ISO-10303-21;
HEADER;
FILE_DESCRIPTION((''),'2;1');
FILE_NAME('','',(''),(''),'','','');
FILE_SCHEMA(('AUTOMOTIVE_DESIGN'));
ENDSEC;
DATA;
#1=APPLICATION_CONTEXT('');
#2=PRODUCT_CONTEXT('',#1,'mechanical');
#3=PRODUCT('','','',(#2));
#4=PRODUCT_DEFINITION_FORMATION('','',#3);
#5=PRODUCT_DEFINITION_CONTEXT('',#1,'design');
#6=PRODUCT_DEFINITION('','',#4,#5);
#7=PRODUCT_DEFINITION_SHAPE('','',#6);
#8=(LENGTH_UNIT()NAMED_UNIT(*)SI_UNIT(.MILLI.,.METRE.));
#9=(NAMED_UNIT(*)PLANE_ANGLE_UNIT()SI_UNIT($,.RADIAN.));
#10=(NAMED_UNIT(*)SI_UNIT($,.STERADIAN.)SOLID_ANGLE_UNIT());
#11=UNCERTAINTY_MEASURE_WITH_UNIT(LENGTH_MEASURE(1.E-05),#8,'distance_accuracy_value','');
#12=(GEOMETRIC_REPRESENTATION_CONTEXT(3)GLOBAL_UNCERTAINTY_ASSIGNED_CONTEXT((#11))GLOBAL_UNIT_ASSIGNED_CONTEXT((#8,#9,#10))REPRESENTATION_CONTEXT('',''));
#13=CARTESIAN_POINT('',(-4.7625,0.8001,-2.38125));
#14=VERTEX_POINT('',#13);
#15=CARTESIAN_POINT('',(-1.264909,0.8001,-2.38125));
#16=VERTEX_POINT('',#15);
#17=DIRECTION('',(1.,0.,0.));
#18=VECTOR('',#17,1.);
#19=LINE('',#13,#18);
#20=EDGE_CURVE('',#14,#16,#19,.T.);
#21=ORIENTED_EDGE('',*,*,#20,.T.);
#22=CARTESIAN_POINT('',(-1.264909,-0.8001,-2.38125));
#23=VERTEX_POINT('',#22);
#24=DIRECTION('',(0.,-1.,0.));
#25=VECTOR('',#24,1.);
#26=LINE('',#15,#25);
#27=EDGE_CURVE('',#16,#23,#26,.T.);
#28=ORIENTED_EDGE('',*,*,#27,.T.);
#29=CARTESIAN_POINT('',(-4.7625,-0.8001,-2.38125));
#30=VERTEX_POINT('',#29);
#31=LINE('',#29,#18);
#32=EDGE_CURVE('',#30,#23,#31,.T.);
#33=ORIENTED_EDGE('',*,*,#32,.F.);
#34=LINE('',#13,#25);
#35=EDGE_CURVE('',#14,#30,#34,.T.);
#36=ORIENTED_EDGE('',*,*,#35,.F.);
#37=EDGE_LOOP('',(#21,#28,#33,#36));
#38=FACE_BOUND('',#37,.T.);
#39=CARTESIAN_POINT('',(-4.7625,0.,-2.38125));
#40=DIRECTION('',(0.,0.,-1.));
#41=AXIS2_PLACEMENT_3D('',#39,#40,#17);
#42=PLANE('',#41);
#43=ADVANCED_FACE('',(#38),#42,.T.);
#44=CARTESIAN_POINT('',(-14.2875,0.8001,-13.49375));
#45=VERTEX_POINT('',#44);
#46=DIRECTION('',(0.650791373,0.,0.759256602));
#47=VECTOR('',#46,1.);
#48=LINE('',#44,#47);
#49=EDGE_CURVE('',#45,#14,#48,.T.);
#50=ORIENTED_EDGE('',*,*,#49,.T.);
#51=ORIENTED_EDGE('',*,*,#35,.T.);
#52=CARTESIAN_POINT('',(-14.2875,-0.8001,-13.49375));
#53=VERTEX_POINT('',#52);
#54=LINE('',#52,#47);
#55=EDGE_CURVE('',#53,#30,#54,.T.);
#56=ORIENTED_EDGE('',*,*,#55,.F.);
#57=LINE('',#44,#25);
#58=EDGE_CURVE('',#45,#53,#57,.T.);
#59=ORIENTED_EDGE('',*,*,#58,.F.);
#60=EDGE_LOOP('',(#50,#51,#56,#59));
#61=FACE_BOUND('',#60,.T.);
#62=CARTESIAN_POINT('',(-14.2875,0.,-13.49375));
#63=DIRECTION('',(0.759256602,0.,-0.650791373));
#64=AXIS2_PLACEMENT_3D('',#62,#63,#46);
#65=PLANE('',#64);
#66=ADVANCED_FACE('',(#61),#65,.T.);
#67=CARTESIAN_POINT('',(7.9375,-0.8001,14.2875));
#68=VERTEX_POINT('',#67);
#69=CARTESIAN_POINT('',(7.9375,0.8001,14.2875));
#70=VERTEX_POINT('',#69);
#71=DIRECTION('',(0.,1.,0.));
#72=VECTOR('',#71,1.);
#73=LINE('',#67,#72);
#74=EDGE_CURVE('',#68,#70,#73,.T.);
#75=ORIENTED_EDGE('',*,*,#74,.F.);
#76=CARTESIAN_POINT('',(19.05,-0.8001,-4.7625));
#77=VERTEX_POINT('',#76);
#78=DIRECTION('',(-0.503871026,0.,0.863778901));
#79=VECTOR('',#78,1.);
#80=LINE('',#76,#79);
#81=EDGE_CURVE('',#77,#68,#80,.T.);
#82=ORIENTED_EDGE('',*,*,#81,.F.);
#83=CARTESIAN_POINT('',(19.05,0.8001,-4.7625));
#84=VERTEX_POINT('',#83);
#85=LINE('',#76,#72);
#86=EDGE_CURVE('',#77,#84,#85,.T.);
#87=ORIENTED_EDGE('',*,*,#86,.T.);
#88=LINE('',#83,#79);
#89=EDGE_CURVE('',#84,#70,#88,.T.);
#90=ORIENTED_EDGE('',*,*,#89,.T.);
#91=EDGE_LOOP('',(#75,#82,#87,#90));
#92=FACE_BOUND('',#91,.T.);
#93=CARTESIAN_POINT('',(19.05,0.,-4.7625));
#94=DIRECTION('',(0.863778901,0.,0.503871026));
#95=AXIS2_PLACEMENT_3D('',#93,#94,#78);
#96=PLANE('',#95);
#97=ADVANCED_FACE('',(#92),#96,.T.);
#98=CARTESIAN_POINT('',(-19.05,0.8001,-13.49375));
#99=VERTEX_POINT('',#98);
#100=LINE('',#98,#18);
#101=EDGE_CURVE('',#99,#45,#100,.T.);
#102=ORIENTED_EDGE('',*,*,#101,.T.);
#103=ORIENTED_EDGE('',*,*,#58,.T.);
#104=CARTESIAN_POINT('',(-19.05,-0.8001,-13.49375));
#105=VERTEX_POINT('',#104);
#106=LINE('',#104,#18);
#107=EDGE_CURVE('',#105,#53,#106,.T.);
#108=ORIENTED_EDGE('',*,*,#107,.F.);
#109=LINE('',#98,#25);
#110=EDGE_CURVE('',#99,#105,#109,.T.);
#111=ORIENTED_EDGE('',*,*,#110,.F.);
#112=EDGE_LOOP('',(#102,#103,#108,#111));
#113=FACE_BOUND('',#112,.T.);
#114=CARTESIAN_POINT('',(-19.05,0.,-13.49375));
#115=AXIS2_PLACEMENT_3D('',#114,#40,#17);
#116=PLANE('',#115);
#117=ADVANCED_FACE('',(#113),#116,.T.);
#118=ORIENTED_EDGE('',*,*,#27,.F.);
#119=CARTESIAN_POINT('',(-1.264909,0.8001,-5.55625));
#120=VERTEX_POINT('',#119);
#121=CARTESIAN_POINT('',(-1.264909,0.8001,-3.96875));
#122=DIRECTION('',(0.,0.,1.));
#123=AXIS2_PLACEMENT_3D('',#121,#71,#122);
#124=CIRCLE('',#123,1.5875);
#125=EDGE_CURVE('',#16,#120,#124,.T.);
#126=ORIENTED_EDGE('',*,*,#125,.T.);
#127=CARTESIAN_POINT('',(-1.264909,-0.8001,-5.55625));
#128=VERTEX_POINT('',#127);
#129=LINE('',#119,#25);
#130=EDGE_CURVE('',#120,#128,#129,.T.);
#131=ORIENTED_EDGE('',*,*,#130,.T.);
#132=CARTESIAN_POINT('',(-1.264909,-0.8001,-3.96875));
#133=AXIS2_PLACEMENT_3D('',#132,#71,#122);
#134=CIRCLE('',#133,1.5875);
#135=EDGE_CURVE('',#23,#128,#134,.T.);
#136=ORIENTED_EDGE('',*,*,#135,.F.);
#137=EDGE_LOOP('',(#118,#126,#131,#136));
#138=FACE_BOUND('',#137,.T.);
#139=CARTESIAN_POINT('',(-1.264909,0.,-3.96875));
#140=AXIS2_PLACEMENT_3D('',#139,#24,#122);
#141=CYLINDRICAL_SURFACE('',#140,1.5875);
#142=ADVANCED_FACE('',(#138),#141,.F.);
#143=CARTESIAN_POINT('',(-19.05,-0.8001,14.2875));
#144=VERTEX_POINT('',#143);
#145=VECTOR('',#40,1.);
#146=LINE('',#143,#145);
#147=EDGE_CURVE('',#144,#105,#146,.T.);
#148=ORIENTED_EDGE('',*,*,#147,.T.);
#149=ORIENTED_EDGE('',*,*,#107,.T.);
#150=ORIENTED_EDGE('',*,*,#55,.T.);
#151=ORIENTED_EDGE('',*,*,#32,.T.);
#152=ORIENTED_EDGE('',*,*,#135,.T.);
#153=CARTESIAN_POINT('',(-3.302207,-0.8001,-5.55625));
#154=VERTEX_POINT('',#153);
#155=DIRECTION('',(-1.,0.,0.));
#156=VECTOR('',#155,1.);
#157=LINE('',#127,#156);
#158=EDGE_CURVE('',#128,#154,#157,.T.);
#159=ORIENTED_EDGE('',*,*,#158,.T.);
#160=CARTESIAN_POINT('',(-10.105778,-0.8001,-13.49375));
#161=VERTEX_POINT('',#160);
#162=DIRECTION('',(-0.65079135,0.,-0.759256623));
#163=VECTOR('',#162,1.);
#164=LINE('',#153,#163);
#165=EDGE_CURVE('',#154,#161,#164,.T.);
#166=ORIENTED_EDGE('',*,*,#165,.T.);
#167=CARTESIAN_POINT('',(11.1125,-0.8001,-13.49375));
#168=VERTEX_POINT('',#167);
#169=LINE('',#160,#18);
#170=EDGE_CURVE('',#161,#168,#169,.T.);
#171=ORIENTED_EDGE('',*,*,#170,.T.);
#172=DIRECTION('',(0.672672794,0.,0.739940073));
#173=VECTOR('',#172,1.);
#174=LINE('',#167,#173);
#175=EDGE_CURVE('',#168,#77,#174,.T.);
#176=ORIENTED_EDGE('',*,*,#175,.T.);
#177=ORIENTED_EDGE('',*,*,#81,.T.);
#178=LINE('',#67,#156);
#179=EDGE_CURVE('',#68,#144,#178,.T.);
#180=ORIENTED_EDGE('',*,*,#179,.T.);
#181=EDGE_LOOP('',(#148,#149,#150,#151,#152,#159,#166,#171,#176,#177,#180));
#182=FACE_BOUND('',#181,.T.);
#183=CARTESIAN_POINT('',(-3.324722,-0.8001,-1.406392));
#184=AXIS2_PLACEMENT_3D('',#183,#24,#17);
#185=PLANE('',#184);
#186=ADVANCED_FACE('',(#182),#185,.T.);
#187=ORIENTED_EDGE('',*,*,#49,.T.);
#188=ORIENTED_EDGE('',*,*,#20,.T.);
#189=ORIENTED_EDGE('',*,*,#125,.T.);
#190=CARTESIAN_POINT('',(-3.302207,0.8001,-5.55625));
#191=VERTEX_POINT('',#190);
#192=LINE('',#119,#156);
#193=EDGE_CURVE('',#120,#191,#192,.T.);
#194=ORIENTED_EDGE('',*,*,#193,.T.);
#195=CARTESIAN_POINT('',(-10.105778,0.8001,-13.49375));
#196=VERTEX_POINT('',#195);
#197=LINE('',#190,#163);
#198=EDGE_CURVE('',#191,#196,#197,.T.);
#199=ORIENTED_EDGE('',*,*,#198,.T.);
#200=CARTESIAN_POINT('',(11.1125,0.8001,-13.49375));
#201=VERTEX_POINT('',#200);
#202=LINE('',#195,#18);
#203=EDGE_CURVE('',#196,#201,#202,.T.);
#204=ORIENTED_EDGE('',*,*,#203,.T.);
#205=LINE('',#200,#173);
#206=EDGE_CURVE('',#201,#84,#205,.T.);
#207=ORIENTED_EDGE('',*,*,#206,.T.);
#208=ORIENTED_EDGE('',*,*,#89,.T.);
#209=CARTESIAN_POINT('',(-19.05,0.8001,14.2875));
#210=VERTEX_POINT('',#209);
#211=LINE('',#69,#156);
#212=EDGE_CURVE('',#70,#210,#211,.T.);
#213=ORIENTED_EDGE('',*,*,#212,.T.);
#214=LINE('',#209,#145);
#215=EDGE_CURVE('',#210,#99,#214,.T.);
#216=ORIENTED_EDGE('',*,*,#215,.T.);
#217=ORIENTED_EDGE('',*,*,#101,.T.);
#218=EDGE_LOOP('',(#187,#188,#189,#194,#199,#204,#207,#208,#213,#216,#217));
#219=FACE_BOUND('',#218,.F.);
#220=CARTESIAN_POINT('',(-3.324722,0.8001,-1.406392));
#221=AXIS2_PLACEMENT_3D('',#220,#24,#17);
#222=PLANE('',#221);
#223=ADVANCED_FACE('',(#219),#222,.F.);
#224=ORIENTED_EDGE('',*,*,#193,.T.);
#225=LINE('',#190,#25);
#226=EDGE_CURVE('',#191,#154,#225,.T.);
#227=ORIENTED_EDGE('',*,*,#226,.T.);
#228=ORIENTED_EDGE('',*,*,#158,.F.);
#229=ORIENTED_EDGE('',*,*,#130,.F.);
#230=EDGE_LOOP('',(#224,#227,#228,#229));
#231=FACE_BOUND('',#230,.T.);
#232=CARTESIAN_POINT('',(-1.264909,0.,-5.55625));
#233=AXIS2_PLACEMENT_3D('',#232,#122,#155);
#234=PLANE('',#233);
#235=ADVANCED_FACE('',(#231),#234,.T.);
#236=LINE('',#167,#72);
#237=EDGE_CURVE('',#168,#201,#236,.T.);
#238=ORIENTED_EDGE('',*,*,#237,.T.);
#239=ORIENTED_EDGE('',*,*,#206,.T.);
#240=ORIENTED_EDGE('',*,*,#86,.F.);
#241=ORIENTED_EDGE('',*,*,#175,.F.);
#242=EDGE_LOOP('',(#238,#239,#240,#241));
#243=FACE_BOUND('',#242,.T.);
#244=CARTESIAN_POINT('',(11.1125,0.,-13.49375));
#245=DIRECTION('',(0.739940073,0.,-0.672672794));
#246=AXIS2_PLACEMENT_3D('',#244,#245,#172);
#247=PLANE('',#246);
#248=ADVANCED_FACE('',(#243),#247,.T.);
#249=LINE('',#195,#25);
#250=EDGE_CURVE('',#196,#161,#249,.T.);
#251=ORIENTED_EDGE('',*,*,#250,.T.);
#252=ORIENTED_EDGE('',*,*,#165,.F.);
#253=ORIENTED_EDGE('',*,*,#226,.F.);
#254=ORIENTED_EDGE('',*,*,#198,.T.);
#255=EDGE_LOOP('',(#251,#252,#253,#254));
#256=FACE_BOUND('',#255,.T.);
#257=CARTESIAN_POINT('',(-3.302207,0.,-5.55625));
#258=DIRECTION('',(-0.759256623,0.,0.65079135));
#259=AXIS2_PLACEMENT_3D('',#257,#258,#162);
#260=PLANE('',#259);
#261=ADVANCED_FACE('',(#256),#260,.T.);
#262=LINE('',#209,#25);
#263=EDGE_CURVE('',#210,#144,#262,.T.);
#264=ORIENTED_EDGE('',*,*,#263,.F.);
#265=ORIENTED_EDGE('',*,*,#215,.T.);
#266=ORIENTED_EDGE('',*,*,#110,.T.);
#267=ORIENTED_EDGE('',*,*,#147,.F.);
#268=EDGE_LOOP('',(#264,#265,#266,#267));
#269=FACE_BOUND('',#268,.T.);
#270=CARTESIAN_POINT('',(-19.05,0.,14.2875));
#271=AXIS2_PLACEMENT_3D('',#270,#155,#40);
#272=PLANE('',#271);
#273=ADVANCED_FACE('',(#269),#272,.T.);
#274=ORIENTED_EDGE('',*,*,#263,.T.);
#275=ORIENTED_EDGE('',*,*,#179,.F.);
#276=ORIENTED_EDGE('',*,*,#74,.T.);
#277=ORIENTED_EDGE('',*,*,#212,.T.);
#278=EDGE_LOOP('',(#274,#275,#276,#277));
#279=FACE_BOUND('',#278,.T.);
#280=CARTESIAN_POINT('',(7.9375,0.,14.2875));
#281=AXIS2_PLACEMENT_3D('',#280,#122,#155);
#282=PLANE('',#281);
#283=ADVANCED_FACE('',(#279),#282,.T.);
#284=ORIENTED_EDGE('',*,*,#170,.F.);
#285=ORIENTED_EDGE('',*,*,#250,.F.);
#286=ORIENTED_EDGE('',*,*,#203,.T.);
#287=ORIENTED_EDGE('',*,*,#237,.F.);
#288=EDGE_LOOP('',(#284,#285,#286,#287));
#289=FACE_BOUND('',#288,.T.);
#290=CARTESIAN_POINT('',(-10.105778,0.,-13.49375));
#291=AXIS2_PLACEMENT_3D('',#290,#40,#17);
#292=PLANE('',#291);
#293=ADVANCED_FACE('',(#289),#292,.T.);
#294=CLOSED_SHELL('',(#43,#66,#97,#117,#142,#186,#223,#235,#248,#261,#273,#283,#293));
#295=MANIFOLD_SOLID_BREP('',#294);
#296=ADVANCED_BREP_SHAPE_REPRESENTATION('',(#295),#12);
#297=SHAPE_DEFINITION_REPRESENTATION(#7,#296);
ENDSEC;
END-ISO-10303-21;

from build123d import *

# Parameters (mm, degrees)
F1_DEPTH = 0.8001


with BuildPart() as f1:
    # F0 (on Front) → F1 (new body, symmetric)
    with BuildSketch(Plane.XZ):
        with BuildLine():
            Line((7.9375, 14.2875), (-19.05, 14.2875))
            Line((-19.05, 14.2875), (-19.05, -13.49375))
            Line((-19.05, -13.49375), (-14.2875, -13.49375))
            Line((-14.2875, -13.49375), (-4.7625, -2.38125))
            Line((-4.7625, -2.38125), (-1.264909, -2.38125))
            ThreePointArc((-1.264909, -2.38125), (0.322591, -3.96875), (-1.264909, -5.55625))
            Line((-1.264909, -5.55625), (-3.302207, -5.55625))
            Line((-3.302207, -5.55625), (-10.105778, -13.49375))
            Line((-10.105778, -13.49375), (11.1125, -13.49375))
            Line((11.1125, -13.49375), (19.05, -4.7625))
            Line((19.05, -4.7625), (7.9375, 14.2875))
        make_face()
    extrude(amount=F1_DEPTH, both=True)


solid = f1.part
